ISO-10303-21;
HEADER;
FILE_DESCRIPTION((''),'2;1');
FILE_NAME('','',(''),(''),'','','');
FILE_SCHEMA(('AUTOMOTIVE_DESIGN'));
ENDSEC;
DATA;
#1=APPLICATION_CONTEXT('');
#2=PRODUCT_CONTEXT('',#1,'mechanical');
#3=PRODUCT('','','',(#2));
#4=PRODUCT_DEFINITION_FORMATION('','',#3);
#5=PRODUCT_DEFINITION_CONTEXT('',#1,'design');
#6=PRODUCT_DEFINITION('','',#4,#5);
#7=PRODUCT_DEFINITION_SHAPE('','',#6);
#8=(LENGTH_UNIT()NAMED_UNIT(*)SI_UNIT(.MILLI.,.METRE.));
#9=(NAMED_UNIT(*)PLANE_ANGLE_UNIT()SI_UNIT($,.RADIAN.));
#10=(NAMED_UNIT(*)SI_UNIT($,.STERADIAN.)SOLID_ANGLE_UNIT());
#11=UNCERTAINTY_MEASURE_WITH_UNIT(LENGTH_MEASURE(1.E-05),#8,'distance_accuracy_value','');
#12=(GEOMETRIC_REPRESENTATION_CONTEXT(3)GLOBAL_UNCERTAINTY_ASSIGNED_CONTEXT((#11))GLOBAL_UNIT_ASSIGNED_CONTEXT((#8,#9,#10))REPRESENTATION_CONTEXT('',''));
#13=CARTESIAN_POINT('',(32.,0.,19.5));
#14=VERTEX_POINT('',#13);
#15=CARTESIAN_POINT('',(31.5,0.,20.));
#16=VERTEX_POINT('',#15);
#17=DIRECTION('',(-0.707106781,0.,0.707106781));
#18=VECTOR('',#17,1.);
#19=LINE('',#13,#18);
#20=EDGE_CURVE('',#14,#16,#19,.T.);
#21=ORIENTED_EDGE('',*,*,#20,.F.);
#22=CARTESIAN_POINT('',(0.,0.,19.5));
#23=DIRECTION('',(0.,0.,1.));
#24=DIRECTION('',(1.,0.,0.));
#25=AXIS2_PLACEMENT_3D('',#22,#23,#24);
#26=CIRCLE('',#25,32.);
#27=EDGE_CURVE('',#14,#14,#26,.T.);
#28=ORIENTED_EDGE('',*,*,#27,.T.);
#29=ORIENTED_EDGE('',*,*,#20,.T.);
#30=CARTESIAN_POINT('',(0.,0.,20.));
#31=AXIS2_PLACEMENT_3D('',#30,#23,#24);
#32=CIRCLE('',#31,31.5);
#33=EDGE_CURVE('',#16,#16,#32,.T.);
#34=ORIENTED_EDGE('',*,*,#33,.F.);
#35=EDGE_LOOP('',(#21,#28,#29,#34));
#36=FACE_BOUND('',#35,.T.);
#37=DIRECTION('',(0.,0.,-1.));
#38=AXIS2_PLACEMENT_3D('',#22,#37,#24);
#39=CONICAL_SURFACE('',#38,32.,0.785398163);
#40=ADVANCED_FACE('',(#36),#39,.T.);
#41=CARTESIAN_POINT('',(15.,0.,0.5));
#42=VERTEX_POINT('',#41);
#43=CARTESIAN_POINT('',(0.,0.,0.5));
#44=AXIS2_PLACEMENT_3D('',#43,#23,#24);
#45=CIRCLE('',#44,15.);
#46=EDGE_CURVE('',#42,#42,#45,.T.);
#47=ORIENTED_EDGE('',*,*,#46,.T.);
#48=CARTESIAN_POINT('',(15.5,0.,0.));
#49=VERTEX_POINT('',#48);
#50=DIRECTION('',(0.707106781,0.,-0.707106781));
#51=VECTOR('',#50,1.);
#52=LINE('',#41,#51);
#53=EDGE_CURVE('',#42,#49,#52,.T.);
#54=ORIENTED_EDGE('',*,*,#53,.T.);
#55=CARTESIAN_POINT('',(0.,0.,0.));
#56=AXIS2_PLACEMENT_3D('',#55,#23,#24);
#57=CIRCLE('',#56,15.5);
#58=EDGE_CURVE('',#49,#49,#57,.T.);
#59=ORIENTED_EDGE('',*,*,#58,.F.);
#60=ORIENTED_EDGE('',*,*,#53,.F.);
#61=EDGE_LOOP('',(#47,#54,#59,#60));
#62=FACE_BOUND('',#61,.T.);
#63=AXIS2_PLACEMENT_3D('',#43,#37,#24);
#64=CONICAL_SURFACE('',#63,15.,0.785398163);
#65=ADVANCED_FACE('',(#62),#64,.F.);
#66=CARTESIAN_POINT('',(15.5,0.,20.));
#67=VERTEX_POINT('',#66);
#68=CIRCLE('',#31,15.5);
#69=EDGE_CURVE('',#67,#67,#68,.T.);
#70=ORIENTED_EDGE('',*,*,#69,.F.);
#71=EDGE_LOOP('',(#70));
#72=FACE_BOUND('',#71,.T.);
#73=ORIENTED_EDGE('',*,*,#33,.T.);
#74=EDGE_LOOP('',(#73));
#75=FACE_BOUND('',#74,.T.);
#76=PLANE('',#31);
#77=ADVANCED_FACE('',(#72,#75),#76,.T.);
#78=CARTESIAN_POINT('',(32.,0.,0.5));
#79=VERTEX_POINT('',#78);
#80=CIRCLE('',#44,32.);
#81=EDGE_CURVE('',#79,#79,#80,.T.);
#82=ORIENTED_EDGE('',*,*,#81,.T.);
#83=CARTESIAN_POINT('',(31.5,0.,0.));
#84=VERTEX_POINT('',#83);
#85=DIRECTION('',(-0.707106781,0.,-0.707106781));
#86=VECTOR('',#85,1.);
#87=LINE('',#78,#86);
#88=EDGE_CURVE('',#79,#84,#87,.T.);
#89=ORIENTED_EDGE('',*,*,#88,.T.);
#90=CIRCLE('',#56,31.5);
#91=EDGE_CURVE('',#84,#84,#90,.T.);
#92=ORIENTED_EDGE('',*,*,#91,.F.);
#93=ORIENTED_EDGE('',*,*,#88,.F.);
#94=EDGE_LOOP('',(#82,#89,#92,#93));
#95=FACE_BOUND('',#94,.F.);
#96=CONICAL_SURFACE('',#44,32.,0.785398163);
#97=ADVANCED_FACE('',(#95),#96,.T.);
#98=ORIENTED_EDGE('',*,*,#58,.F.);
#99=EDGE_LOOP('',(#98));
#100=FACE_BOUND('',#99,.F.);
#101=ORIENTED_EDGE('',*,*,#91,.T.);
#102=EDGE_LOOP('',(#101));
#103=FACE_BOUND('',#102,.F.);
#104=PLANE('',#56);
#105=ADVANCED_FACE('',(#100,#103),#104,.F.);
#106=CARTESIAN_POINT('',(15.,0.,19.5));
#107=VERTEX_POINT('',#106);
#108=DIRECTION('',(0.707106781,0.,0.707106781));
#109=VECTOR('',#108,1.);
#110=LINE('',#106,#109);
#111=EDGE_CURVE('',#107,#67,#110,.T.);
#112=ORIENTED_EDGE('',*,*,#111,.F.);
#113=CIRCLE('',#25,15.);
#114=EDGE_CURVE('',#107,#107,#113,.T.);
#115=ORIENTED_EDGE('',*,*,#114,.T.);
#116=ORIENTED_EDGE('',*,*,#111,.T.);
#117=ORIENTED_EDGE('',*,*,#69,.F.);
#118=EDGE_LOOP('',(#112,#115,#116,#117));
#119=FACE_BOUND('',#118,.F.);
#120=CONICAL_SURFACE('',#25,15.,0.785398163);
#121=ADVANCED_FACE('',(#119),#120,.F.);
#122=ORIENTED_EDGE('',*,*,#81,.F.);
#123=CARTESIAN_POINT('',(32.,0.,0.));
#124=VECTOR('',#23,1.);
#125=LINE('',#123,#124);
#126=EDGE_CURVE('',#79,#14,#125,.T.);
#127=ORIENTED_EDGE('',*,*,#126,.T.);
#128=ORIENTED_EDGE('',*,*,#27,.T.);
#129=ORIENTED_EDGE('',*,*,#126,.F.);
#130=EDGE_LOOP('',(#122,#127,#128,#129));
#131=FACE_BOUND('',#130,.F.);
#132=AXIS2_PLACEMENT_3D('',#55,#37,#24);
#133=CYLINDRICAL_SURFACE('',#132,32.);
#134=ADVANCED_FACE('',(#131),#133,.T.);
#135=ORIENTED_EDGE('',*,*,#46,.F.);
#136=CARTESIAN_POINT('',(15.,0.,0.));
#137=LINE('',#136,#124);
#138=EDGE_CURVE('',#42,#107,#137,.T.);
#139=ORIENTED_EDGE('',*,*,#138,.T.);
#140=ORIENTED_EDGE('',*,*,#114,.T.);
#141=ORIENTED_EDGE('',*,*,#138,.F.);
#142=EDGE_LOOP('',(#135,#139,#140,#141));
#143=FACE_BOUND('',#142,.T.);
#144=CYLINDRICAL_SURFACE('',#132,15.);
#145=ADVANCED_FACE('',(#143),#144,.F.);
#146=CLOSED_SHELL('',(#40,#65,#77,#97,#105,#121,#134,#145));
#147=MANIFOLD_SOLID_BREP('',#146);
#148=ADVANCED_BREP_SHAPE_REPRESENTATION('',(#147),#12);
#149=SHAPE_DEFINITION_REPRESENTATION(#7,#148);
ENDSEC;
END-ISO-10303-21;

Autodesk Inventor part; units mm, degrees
ref_plane "YZ Plane" through (0, 0, 0) normal (1, 0, 0) x (0, 1, 0)
ref_plane "XZ Plane" through (0, 0, 0) normal (0, 1, 0) x (-1, 0, 0)
ref_plane "XY Plane" through (0, 0, 0) normal (0, 0, 1) x (1, 0, 0)
sketch "草图1" plane through (0, 0, 0) normal (0, 0, 1) x (1, 0, 0)
  circle A0 centre (0, 0) radius 32
  circle A1 centre (0, 0) radius 15
extrude "拉伸1" add sketch "草图1" along normal blind 20
chamfer "倒角1" distance 0.5 angle 45 4 edges at (-15, 0, 20) (-15, 0, 0) (-32, 0, 20) (-32, 0, 0)
properties part number "my_attempt_v2"
